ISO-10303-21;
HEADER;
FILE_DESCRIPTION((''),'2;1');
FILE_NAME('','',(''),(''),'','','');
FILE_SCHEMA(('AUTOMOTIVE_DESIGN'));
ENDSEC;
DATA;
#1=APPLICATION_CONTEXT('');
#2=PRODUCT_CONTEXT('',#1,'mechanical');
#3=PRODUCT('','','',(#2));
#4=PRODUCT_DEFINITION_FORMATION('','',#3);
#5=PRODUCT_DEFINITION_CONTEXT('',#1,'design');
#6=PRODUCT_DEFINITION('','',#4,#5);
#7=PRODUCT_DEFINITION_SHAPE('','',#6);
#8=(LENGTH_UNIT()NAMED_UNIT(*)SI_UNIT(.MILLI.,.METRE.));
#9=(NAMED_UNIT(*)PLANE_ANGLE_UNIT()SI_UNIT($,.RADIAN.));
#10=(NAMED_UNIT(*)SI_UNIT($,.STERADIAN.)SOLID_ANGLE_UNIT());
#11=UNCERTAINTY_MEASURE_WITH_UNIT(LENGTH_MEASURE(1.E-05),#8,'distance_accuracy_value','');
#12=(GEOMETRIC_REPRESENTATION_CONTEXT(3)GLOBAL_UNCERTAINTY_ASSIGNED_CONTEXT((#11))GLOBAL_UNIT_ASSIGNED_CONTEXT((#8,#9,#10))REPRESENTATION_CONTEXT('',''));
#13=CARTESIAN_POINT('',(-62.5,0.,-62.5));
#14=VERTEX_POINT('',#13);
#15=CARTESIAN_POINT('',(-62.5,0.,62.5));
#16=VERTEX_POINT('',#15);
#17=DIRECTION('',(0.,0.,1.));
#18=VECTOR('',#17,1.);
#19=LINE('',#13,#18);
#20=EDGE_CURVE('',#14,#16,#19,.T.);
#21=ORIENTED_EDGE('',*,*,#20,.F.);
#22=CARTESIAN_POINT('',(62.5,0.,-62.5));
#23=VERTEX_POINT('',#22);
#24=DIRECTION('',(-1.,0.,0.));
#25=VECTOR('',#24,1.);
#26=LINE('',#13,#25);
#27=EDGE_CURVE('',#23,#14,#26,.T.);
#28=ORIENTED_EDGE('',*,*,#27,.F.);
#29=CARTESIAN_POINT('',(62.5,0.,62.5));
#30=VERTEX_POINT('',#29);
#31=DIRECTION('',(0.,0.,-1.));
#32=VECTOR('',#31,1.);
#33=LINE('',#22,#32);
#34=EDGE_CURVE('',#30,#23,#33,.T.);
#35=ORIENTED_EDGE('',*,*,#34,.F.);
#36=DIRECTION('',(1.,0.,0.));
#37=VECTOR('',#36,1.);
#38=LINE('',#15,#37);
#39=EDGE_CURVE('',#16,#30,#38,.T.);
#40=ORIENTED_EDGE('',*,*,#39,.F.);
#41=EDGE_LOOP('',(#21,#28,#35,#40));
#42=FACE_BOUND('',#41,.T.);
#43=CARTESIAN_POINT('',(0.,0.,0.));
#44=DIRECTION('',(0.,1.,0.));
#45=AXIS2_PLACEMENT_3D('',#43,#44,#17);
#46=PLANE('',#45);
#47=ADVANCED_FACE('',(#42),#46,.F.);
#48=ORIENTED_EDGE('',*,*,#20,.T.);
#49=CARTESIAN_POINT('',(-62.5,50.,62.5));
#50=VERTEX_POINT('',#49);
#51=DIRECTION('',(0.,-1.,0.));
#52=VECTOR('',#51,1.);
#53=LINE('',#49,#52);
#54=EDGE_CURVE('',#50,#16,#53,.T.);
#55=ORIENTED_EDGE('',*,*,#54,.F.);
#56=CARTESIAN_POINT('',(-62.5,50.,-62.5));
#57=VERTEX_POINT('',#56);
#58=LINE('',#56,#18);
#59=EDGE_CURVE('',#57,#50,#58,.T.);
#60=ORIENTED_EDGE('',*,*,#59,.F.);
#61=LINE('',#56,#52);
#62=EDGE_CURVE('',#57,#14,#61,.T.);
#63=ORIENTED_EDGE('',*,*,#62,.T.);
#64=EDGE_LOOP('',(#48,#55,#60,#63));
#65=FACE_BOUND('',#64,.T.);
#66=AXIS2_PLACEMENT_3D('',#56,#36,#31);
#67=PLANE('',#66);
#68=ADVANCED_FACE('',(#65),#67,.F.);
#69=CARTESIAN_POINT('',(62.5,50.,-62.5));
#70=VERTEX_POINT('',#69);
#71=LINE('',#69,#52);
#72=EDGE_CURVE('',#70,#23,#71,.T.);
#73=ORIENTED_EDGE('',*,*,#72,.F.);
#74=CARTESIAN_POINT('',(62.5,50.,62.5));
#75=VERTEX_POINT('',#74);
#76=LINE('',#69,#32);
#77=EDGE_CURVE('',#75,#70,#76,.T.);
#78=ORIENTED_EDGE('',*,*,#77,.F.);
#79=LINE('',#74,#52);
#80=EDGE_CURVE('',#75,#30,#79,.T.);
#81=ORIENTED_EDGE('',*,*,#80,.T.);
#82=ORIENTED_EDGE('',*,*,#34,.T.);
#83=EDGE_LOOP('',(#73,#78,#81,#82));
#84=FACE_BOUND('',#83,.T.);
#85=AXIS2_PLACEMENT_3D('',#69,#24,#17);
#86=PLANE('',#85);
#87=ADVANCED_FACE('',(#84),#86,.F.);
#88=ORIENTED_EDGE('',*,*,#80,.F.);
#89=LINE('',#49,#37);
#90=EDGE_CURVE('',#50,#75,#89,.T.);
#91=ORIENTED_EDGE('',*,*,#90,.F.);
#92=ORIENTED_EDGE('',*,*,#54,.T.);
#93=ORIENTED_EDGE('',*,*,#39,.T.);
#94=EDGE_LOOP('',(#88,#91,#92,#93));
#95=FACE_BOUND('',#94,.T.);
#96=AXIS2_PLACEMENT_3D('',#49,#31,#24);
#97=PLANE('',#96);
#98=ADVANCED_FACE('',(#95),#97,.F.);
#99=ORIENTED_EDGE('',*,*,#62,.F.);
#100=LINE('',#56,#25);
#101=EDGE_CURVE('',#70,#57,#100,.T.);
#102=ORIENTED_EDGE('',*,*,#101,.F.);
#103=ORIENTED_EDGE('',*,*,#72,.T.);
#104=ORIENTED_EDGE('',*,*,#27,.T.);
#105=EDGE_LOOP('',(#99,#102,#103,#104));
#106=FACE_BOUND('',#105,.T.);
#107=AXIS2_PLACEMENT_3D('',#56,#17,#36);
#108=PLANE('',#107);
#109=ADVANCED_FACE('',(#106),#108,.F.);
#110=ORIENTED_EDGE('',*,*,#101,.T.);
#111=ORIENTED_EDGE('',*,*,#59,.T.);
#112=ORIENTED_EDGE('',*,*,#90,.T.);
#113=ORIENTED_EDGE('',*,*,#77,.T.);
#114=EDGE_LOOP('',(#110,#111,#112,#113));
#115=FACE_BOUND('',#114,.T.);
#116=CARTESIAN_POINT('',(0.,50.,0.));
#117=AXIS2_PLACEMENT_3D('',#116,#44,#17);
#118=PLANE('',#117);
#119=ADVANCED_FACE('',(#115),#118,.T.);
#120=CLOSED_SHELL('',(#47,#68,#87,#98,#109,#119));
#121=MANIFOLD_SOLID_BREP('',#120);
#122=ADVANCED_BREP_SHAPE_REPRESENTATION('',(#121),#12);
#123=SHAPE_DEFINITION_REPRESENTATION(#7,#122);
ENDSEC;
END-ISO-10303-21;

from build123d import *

# Parameters (mm, degrees)
SKETCH_1_W      = 125
SKETCH_1_H      = 125
EXTRUDE_1_DEPTH = 50


with BuildPart() as part:
    # 草图1 → 凸台-拉伸1 (new body)
    with BuildSketch(Plane(origin=(0, 0, 0), x_dir=(1, 0, 0), z_dir=(0, 1, 0))):
        Rectangle(SKETCH_1_W, SKETCH_1_H)
    extrude(amount=EXTRUDE_1_DEPTH)


solid = part.part
